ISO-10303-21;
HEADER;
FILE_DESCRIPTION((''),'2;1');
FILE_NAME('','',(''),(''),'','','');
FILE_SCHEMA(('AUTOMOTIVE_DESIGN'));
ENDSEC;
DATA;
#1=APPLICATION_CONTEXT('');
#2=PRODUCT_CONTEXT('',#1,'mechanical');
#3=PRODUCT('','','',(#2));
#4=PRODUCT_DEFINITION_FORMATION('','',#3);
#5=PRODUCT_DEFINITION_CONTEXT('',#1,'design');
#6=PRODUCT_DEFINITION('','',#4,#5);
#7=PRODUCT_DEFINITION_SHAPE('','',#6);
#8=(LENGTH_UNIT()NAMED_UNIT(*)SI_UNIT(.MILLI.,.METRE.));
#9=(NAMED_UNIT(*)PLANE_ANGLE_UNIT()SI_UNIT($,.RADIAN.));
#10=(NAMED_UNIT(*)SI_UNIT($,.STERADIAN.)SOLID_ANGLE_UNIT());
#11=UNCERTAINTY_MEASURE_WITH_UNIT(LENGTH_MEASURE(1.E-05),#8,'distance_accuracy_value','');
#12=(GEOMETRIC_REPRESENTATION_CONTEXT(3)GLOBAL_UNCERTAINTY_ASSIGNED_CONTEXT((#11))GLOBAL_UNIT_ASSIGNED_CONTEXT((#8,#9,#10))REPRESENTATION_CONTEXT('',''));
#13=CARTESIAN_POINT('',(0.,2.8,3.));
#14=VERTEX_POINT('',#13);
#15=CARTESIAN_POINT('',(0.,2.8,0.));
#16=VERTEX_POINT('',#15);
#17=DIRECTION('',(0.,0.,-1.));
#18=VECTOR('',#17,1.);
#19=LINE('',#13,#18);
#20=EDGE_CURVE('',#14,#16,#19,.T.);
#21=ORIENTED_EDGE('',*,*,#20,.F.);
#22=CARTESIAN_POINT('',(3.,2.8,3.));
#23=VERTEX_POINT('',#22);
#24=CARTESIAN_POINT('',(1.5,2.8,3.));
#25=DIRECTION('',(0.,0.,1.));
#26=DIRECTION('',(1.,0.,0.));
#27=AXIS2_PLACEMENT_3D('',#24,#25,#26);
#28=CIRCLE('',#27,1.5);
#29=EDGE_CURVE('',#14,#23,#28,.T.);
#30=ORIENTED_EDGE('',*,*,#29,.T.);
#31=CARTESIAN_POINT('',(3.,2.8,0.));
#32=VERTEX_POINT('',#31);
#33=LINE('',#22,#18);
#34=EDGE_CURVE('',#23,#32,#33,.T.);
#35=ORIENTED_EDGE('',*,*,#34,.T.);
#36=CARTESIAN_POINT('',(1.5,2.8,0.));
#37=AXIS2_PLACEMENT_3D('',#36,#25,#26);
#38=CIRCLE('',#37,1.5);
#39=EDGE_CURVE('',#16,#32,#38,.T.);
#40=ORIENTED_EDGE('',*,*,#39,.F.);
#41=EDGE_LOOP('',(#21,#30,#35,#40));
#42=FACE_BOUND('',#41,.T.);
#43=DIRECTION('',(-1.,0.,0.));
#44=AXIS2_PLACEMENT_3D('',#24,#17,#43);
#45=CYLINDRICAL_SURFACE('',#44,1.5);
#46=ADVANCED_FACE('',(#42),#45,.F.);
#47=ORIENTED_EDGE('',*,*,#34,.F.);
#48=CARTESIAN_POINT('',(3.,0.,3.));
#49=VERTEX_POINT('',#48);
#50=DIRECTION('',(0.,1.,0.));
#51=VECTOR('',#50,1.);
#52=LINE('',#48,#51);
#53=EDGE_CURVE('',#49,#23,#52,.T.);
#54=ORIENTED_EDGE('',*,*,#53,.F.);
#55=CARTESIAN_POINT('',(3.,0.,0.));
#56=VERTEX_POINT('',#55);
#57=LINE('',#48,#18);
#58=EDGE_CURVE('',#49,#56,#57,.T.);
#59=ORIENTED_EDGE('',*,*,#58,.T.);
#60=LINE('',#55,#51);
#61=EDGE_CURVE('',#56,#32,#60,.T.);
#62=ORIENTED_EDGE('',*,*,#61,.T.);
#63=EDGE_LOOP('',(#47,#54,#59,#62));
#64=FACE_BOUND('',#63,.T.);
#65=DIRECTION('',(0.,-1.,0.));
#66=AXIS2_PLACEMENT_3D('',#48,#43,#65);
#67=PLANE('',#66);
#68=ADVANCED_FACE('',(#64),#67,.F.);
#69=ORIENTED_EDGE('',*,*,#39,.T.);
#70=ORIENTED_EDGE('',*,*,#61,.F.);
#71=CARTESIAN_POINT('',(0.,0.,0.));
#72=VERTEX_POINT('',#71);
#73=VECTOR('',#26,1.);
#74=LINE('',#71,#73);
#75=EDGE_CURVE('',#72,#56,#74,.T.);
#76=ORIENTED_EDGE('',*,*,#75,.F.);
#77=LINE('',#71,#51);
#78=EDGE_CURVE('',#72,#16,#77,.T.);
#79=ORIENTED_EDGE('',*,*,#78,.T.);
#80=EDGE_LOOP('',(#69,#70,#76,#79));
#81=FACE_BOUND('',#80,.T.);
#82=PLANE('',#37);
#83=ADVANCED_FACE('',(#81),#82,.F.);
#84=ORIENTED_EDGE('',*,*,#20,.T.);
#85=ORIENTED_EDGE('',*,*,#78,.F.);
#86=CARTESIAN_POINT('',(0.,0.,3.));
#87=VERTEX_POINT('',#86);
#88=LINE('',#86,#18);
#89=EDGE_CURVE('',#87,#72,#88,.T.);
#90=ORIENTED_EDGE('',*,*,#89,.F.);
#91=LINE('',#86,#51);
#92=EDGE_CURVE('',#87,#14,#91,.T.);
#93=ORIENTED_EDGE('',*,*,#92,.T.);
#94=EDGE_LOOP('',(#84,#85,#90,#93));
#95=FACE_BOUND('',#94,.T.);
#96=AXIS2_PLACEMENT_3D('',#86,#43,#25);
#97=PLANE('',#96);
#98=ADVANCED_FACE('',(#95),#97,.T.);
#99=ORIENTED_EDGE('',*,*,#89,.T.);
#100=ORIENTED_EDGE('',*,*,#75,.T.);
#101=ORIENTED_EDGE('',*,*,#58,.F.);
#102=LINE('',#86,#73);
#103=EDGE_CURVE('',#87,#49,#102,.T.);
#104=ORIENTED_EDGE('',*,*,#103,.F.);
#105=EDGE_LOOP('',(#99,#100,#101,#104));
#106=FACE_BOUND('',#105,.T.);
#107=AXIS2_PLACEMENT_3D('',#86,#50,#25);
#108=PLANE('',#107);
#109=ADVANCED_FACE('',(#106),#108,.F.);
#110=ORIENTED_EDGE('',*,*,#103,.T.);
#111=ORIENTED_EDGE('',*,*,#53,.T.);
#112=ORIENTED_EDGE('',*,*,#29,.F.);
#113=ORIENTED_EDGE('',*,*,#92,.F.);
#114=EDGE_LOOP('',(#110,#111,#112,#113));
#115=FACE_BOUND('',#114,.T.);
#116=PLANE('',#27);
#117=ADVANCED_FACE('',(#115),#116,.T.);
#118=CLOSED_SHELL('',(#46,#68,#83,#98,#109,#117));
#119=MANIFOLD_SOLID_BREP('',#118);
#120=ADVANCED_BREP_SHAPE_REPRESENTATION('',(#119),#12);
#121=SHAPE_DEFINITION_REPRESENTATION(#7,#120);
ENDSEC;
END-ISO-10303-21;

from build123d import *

# Parameters (mm, degrees)
EXTRUDE_1_DEPTH = 3


with BuildPart() as part:
    # 스케치1 → 보스-돌출1 (new body)
    with BuildSketch(Plane.XY):
        with BuildLine():
            Line((0, 0), (3, 0))
            Line((3, 0), (3, 2.8))
            ThreePointArc((3, 2.8), (1.5, 1.3), (0, 2.8))
            Line((0, 2.8), (0, 0))
        make_face()
    extrude(amount=EXTRUDE_1_DEPTH)


solid = part.part
